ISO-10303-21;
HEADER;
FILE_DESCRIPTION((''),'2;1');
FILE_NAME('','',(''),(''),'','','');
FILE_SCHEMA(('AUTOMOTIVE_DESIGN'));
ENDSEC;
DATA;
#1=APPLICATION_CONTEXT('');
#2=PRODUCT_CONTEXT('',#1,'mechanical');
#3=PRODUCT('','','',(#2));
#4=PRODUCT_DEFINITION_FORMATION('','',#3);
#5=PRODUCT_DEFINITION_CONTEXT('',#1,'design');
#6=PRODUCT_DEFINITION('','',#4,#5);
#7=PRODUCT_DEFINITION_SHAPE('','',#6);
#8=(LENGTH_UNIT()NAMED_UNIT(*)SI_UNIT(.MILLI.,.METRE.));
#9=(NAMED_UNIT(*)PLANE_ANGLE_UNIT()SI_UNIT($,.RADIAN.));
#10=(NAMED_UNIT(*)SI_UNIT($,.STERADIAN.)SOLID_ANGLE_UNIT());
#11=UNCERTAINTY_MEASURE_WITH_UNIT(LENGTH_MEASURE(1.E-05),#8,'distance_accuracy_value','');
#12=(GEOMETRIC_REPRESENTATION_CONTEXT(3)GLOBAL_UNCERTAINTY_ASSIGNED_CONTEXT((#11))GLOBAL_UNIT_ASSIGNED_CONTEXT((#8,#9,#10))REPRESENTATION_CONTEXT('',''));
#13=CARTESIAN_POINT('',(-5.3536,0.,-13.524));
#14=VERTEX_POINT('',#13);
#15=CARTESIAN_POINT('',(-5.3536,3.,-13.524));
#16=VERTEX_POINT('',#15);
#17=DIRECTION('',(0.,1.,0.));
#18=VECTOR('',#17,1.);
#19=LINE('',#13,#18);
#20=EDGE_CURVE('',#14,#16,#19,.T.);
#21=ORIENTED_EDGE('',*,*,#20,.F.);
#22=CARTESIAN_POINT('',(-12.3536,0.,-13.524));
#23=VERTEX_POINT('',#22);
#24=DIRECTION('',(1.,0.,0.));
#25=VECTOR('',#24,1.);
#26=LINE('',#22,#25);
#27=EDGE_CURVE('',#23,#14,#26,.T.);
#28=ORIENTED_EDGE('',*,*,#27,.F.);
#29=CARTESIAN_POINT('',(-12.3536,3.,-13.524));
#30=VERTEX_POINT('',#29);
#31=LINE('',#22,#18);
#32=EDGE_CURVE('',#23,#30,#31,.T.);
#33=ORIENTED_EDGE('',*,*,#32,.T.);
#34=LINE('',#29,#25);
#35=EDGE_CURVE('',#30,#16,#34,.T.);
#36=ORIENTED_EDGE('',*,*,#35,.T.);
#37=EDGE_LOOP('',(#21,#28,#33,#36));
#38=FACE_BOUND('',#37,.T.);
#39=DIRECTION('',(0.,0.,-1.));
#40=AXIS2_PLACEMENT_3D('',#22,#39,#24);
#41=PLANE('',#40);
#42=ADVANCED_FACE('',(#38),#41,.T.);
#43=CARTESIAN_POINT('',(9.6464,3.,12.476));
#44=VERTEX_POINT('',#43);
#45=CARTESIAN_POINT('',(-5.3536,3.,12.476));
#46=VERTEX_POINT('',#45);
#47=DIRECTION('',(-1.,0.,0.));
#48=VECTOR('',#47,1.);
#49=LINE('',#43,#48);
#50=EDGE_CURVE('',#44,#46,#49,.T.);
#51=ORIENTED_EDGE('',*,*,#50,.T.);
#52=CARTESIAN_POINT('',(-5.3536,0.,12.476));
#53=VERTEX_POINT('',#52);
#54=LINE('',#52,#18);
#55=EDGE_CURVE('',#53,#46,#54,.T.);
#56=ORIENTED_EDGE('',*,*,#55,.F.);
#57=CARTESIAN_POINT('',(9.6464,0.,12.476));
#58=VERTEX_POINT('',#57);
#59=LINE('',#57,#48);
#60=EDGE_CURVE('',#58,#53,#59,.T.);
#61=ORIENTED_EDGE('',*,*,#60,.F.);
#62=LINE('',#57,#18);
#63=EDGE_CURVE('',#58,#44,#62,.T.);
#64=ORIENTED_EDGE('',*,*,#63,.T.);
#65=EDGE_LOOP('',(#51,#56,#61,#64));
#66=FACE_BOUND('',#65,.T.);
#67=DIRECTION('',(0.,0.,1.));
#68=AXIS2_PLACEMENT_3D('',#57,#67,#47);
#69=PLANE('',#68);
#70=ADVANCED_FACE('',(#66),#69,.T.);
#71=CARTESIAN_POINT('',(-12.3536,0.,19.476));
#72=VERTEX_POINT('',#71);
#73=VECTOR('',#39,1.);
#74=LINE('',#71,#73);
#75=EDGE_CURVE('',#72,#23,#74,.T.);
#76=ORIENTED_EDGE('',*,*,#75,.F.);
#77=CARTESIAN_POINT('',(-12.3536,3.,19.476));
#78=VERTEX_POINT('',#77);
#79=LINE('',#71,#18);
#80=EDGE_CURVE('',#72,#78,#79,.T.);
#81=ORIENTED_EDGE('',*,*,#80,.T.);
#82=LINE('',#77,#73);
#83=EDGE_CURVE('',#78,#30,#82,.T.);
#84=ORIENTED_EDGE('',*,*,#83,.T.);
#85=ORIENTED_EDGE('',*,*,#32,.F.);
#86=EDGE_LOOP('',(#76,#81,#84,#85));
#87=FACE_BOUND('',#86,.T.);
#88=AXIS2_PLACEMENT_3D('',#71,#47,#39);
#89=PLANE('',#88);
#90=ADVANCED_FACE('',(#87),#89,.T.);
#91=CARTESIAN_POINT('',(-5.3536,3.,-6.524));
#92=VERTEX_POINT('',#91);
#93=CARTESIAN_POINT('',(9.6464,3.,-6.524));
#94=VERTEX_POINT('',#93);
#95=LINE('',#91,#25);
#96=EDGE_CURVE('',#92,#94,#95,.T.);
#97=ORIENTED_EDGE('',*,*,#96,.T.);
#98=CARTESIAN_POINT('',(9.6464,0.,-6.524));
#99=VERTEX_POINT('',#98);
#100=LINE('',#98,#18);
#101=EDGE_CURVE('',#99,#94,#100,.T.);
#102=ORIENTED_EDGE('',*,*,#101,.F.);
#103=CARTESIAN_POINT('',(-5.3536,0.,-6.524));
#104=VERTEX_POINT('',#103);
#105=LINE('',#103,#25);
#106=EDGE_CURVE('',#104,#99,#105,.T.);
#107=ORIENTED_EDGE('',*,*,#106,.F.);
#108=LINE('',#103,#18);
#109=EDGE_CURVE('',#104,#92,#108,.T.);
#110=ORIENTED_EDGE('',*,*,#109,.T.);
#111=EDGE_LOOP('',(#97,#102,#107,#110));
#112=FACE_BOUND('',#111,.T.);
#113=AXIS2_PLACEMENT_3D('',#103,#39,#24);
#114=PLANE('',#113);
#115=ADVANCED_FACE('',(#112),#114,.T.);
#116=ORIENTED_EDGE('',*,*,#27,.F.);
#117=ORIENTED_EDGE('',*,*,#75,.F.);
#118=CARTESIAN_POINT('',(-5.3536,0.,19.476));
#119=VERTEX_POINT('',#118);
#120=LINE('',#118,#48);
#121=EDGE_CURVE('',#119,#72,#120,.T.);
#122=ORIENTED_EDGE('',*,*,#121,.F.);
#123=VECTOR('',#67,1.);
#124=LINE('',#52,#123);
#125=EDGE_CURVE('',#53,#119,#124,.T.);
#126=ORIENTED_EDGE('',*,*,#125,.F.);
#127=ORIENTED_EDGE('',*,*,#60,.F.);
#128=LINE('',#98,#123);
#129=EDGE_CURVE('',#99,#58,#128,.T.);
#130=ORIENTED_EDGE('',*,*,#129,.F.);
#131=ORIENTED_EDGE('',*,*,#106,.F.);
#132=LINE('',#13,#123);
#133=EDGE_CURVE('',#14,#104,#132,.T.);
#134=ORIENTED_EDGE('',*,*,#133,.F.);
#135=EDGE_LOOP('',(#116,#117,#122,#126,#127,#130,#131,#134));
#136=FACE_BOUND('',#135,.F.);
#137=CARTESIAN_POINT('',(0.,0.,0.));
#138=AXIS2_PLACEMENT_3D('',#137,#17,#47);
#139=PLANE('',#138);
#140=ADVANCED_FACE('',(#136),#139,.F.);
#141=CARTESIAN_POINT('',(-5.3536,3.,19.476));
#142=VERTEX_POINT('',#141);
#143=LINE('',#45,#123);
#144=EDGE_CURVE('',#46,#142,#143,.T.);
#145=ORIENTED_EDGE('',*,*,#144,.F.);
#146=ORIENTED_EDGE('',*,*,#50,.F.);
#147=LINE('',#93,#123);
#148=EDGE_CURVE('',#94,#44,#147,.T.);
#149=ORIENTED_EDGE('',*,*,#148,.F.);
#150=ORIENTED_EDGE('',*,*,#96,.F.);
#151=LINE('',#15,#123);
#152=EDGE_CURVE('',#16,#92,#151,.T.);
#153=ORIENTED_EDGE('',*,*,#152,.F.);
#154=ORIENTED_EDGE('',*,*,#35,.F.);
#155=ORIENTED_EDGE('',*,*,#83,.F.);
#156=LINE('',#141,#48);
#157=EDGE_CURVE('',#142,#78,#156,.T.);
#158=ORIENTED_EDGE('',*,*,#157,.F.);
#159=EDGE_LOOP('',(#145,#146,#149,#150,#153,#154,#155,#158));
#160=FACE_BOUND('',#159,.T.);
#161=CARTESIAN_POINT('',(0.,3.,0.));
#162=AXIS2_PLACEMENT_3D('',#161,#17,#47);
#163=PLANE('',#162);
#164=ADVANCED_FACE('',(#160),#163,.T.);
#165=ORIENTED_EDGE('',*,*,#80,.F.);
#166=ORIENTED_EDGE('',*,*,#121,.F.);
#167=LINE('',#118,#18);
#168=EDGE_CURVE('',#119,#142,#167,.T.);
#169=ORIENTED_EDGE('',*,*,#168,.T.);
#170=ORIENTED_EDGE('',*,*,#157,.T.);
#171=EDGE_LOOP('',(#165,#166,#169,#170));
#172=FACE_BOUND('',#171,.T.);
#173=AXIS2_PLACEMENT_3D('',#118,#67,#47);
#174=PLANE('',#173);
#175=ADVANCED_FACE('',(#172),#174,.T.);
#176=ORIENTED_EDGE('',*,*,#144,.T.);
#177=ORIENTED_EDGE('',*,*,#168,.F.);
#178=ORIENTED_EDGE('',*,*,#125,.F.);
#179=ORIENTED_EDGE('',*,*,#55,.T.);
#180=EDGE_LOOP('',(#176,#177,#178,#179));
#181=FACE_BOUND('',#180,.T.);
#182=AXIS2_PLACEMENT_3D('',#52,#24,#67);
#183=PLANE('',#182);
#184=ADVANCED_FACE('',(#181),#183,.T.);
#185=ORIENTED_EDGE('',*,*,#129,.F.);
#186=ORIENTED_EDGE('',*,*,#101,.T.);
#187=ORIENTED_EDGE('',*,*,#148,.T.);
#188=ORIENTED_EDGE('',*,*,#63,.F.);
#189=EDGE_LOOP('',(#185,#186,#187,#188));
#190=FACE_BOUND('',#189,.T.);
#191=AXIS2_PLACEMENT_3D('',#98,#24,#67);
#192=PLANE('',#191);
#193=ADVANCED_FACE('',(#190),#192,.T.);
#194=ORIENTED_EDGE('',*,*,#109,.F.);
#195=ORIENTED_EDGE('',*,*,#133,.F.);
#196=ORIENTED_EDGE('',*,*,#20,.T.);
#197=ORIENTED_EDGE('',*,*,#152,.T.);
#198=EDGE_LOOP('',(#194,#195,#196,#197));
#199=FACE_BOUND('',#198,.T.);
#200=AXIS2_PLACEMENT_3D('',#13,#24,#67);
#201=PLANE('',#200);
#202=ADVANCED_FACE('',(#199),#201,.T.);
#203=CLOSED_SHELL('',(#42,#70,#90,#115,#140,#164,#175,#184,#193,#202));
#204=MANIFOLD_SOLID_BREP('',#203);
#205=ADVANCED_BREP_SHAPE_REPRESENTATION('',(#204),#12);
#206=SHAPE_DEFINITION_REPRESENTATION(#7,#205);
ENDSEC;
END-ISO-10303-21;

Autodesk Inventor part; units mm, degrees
ref_plane "YZ Plane" through (0, 0, 0) normal (1, 0, 0) x (0, 1, 0)
ref_plane "XZ Plane" through (0, 0, 0) normal (0, 1, 0) x (-1, 0, 0)
ref_plane "XY Plane" through (0, 0, 0) normal (0, 0, 1) x (1, 0, 0)
sketch "Sketch3" plane through (0, 0, 0) normal (0, 1, 0) x (-1, 0, 0)
  line L0 (-9.6464, 12.476) -> (5.3536, 12.476)
  line L1 (5.3536, 12.476) -> (5.3536, 19.476)
  line L2 (5.3536, 19.476) -> (12.3536, 19.476)
  line L3 (12.3536, 19.476) -> (12.3536, -13.524)
  line L4 (12.3536, -13.524) -> (5.3536, -13.524)
  line L5 (5.3536, -13.524) -> (5.3536, -6.524)
  line L6 (5.3536, -6.524) -> (-9.6464, -6.524)
  line L7 (-9.6464, -6.524) -> (-9.6464, 12.476)
  point P0 (0, 0)
  dimension "d13" = 33
  dimension "d14" = 19
  dimension "d15" = 15
  dimension "d16" = 7
extrude "Extrusion3" add sketch "Sketch3" along normal blind 3
properties part number "k2_dist"
